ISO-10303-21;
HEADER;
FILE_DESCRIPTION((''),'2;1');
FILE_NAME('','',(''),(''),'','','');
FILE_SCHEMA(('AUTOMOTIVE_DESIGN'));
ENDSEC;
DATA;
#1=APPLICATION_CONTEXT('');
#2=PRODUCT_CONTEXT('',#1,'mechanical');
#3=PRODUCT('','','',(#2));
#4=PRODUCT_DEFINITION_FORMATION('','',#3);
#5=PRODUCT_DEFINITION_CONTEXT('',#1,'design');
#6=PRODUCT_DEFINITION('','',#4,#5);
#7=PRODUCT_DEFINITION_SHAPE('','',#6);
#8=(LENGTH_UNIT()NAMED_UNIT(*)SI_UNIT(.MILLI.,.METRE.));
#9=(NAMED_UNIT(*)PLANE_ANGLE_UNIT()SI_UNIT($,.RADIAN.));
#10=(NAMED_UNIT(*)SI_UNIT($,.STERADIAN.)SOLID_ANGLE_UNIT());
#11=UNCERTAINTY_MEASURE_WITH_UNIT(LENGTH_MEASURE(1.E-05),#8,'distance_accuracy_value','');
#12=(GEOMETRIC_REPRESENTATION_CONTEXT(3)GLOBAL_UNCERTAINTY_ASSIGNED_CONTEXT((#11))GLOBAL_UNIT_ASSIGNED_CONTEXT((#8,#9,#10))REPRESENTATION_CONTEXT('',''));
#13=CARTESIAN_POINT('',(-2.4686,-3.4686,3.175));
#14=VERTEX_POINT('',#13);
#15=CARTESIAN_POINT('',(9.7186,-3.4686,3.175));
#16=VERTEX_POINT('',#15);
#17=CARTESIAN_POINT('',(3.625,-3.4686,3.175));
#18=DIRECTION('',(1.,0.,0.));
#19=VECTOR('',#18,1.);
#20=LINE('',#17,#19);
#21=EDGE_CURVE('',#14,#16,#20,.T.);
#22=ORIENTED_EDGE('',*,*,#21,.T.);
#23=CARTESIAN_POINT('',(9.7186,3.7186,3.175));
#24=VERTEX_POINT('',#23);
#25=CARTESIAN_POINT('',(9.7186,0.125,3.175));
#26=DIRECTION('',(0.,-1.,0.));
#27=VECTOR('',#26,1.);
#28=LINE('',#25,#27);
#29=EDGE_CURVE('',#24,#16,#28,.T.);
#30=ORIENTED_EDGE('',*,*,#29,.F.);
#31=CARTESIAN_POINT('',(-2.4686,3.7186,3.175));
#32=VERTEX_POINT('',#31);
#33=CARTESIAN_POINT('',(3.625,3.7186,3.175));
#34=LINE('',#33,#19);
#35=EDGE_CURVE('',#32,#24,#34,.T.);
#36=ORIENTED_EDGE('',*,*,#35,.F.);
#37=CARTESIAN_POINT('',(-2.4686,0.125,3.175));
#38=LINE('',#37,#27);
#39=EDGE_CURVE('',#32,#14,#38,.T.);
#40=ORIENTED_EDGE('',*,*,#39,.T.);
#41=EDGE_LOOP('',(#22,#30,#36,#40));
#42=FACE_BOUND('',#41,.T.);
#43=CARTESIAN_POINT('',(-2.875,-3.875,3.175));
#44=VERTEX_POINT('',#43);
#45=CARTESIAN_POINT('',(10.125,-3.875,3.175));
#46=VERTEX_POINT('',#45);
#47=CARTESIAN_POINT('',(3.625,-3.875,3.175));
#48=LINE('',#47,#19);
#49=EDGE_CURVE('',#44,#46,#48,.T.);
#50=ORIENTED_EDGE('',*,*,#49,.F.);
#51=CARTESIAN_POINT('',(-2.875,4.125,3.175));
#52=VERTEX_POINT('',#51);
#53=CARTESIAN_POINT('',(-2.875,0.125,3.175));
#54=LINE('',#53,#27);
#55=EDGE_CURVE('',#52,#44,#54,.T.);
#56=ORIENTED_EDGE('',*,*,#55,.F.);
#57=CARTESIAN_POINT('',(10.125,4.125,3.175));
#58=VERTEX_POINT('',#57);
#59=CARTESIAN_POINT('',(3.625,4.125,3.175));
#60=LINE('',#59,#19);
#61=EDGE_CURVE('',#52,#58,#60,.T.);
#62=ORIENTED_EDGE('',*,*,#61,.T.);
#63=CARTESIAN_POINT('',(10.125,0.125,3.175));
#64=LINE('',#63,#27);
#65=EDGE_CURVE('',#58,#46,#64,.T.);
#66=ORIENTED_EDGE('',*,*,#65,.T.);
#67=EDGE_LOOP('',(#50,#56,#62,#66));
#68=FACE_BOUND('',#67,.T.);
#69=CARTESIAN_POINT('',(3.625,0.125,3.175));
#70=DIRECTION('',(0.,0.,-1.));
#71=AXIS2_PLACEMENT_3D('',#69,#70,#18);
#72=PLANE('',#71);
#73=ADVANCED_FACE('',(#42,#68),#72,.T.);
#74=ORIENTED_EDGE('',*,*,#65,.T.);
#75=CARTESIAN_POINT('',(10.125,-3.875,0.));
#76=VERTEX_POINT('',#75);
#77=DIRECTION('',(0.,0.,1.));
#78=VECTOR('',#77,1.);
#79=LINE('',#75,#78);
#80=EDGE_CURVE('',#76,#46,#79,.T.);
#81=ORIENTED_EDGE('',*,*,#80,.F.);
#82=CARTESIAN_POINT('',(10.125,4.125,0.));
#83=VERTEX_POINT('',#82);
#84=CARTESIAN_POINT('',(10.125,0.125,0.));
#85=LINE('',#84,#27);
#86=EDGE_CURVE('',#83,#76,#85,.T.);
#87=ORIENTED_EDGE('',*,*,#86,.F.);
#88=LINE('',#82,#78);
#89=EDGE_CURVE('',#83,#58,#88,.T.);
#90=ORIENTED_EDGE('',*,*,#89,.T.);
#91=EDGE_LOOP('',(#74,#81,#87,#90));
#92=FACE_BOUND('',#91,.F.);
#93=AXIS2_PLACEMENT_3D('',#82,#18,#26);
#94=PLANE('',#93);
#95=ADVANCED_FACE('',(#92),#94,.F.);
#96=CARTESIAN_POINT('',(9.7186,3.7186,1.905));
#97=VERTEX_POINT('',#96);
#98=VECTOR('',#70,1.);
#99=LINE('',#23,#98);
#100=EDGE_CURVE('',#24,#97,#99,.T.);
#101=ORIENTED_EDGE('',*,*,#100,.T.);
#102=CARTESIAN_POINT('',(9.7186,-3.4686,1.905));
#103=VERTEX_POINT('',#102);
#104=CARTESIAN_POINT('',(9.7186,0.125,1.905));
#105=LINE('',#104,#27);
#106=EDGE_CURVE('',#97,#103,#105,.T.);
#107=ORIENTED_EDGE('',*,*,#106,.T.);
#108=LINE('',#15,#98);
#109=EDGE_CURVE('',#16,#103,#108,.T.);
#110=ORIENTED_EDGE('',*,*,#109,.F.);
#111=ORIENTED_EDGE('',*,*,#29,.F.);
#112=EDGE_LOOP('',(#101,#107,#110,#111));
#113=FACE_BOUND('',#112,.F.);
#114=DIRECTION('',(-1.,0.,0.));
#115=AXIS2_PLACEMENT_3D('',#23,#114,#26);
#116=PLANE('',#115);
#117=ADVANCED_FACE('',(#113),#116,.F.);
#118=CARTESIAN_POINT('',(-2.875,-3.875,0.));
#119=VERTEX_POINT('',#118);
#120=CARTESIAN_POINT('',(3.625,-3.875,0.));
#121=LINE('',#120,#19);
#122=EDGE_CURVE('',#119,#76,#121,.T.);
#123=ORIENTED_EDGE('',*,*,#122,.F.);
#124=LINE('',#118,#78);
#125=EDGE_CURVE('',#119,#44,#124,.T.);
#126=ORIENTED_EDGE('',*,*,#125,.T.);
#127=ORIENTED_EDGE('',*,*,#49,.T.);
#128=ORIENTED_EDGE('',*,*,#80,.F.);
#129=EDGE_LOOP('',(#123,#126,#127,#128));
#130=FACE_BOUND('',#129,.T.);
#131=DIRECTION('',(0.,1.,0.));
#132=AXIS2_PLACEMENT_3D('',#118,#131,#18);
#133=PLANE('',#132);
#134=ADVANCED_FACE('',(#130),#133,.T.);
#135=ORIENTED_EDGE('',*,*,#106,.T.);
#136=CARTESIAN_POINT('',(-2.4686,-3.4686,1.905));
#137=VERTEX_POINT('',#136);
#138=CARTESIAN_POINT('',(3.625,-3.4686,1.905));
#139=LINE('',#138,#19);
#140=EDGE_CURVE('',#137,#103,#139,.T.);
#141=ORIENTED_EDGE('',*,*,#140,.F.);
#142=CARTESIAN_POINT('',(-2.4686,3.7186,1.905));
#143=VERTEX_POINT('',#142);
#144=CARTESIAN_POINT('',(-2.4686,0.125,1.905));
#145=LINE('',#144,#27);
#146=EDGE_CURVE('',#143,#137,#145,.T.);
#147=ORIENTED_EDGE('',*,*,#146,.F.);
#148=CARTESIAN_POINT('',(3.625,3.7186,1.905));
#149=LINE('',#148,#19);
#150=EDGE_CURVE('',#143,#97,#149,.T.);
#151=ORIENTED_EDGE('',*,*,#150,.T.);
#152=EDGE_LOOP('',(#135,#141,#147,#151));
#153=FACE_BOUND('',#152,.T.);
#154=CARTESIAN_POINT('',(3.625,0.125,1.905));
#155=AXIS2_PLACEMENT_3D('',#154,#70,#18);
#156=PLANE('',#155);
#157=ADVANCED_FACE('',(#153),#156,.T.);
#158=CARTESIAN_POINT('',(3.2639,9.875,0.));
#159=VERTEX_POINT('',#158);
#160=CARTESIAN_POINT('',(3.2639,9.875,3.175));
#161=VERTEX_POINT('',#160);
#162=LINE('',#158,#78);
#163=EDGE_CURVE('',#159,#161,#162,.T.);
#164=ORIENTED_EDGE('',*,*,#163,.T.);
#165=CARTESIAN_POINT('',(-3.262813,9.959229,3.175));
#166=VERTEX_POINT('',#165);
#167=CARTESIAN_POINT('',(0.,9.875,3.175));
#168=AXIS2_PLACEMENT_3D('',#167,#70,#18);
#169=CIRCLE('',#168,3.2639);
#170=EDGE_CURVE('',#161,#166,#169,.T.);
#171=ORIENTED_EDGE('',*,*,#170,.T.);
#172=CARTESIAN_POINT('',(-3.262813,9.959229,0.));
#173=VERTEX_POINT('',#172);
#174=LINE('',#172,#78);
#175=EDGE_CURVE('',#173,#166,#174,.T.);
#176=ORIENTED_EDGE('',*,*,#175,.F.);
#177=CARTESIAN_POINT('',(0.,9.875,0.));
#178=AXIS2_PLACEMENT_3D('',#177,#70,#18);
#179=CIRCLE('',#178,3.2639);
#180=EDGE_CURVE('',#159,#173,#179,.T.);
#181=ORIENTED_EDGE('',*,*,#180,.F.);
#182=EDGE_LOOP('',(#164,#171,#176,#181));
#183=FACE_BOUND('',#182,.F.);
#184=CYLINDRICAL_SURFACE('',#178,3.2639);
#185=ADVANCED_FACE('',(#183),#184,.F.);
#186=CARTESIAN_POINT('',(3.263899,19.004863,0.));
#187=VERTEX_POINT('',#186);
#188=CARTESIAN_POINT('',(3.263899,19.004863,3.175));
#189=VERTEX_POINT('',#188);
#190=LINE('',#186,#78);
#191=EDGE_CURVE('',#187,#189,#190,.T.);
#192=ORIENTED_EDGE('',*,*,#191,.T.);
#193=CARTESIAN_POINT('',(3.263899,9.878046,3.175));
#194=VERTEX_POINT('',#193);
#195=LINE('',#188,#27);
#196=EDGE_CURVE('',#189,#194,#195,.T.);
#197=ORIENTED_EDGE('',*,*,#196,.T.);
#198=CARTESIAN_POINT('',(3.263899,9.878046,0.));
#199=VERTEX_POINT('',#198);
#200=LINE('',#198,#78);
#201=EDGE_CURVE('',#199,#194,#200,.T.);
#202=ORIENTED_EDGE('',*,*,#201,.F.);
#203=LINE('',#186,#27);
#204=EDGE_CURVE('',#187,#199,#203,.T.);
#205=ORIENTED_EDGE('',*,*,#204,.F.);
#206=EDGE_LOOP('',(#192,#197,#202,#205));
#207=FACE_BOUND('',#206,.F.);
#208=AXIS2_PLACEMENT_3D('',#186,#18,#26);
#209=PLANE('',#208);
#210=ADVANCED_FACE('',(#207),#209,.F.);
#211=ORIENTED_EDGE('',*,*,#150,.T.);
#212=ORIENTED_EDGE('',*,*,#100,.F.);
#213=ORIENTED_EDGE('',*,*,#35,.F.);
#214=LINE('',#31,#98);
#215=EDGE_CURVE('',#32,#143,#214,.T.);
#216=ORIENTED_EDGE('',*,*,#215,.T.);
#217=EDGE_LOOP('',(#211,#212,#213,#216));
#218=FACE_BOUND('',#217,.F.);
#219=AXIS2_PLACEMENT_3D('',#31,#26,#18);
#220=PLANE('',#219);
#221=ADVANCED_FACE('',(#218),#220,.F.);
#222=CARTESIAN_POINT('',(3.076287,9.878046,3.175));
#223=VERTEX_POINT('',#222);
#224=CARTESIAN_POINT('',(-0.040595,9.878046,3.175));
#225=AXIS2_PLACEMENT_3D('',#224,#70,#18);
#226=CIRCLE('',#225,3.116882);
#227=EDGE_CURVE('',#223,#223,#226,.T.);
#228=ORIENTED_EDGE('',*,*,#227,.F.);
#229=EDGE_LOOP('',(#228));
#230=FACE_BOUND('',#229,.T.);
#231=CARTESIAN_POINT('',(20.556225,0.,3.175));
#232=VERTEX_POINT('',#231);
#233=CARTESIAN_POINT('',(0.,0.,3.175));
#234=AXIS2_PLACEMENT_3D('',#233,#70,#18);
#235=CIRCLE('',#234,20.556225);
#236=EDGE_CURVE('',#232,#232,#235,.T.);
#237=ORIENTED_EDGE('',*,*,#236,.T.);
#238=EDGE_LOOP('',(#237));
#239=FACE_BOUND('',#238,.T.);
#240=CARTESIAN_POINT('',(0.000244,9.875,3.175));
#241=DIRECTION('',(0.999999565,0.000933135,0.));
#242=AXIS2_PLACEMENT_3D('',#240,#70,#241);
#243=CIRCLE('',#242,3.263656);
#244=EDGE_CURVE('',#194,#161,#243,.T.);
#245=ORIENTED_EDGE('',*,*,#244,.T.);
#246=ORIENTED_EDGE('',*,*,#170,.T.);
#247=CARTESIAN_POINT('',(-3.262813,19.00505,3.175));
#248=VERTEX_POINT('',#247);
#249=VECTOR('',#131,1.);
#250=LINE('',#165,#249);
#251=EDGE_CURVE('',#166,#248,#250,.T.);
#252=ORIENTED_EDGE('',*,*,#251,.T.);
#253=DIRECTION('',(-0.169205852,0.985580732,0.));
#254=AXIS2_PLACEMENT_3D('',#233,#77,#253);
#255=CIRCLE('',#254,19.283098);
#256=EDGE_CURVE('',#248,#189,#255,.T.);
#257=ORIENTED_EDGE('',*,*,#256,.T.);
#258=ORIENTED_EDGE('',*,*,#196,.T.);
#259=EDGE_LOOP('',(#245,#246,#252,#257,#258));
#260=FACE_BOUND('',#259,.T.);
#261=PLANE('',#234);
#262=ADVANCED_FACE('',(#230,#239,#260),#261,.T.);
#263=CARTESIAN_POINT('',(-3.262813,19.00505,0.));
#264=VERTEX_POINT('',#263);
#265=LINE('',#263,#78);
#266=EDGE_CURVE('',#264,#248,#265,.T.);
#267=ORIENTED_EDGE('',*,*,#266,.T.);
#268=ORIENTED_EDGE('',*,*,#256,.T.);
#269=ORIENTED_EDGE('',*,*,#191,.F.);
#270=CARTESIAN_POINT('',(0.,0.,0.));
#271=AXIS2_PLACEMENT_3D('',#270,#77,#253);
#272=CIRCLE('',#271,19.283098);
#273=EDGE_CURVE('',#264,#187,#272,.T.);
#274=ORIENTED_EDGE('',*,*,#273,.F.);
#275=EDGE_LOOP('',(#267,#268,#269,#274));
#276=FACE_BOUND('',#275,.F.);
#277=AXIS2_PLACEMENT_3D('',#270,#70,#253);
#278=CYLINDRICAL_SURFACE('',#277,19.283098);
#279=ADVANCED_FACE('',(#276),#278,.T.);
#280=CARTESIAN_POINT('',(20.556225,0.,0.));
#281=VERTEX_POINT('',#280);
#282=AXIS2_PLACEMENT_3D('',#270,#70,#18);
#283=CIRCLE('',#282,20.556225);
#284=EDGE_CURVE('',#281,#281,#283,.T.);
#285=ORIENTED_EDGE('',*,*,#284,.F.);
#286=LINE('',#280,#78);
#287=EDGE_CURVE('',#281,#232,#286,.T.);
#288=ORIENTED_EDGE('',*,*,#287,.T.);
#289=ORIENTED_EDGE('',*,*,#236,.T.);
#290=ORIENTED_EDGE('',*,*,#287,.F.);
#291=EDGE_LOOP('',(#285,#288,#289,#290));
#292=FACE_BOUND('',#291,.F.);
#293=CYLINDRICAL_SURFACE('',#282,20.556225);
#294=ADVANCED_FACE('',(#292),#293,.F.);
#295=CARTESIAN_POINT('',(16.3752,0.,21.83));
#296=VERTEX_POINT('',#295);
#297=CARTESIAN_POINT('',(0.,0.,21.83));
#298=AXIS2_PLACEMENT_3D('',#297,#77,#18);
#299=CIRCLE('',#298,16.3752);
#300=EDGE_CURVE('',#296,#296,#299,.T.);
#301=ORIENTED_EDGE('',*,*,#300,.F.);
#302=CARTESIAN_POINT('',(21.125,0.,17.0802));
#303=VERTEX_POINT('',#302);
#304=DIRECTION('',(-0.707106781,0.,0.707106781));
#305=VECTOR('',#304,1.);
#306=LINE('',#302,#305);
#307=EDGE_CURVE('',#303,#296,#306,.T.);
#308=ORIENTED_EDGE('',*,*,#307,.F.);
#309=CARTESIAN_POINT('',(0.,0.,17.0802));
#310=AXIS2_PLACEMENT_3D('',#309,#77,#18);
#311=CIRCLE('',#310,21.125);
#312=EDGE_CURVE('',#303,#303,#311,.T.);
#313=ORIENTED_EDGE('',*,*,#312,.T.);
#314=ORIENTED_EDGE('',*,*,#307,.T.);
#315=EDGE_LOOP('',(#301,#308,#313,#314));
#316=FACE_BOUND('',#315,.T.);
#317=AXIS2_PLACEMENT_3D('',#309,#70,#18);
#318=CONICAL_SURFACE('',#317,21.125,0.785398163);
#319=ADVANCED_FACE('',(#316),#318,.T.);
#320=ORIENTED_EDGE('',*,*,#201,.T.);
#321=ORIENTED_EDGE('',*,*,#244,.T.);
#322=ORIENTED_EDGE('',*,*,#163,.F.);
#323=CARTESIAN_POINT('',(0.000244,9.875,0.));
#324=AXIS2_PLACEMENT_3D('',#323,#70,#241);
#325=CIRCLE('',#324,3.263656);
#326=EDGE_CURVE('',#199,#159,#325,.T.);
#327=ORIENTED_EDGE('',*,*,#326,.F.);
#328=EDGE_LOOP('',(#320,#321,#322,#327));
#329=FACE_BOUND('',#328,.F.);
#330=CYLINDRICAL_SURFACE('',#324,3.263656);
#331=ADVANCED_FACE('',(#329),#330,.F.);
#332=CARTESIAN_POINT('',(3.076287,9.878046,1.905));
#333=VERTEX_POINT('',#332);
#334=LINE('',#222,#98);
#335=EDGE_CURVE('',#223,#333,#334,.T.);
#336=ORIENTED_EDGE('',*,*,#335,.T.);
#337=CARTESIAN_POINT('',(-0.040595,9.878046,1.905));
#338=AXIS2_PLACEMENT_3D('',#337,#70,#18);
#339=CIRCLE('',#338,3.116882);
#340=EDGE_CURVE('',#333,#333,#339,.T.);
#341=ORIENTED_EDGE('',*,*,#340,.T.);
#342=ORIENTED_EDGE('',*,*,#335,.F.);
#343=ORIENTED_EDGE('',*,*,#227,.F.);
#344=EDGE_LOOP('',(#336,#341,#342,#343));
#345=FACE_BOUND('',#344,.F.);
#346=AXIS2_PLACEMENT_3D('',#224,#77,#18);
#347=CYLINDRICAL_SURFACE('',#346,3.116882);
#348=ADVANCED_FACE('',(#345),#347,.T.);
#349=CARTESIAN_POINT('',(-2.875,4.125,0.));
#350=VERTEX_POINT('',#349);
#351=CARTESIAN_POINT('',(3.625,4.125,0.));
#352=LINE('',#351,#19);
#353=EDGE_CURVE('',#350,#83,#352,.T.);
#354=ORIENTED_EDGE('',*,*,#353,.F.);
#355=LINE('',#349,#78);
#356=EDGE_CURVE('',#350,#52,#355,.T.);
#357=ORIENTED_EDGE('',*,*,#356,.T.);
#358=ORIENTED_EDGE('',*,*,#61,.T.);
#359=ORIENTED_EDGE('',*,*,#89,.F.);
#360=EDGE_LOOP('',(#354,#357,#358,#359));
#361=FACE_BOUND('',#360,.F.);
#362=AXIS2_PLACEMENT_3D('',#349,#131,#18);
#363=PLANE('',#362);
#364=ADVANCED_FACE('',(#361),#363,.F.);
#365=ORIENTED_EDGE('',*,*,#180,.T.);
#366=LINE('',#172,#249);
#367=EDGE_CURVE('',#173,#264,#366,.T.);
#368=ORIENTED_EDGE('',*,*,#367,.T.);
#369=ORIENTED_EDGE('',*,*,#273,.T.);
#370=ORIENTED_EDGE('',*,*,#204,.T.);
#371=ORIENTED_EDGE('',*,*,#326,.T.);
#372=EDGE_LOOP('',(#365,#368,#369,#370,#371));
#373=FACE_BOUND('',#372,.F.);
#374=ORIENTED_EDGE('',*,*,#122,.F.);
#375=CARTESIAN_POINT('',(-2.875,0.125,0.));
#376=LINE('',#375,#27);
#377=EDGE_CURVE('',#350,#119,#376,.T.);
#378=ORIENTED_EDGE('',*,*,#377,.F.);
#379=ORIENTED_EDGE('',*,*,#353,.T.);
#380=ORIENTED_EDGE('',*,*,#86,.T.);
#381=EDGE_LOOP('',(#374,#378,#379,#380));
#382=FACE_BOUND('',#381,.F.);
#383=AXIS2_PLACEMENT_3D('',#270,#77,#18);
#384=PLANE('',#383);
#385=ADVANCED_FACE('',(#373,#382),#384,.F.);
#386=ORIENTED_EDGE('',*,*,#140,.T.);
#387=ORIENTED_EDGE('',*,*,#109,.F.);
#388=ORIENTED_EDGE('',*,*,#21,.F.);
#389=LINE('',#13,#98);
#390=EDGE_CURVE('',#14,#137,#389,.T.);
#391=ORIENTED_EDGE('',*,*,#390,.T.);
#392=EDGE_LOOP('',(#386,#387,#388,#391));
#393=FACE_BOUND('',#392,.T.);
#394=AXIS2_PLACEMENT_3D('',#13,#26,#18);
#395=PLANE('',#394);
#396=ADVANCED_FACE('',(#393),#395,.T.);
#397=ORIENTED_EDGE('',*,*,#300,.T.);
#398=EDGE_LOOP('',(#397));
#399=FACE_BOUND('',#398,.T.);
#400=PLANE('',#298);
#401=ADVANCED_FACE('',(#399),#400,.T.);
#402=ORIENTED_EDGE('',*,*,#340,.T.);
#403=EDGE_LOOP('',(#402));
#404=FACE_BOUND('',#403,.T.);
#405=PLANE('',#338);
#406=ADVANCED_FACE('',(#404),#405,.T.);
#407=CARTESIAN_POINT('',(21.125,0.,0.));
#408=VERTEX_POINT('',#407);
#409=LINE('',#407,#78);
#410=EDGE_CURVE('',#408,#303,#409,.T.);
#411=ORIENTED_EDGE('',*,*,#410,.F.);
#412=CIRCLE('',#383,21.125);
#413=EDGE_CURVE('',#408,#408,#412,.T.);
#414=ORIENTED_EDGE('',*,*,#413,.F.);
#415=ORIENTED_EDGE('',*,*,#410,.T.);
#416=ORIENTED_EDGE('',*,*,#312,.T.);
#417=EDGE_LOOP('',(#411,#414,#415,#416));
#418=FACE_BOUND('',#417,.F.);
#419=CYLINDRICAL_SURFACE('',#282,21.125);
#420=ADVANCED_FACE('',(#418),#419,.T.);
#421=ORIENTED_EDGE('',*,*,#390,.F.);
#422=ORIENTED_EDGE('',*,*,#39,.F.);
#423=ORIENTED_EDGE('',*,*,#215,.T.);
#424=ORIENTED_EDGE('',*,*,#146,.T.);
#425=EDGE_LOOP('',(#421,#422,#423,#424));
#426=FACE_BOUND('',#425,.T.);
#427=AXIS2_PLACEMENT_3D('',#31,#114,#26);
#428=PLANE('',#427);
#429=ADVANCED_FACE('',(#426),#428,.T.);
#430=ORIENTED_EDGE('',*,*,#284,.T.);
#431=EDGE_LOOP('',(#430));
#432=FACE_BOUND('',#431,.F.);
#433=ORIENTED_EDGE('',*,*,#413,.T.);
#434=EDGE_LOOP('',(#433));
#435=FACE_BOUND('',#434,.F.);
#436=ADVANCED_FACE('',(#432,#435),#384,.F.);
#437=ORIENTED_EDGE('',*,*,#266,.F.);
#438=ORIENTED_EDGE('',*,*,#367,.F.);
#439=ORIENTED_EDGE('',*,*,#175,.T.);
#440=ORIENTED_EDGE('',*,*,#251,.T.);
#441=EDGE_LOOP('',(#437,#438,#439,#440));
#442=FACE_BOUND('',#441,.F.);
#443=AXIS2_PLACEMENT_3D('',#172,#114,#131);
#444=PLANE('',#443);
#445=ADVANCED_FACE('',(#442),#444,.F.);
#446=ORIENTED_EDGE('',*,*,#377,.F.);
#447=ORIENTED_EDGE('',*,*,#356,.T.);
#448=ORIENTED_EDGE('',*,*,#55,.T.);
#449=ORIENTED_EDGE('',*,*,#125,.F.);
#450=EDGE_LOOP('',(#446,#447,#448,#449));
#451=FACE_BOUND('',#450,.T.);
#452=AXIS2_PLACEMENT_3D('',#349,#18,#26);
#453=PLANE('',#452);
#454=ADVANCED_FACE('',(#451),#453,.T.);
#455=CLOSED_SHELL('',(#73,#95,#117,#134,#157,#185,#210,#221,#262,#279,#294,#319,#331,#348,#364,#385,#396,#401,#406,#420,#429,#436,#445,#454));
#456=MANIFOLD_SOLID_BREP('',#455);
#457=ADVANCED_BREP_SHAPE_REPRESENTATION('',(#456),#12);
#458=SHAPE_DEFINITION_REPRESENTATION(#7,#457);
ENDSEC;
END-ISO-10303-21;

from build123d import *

# Parameters (mm, degrees)
F0_R     = 21.125
F1_DEPTH = 21.83
F2_SIZE  = 4.7498
F3_R     = 20.5562247393
F3_W     = 13
F3_H     = 8
F4_DEPTH = 3.175
F5_W     = 12.1872002035
F5_H     = 7.1872002035
F5_R     = 3.1168821316
F6_DEPTH = 1.27


with BuildPart() as f1:
    # F0 (on Top) → F1 (new body)
    with BuildSketch(Plane.XY):
        Circle(F0_R)
    extrude(amount=F1_DEPTH)

    # F2
    f2_edges = [f1.edges().sort_by_distance(p)[0] for p in [
        (-21.125, 0, 21.83),
    ]]
    chamfer(f2_edges, length=F2_SIZE)

    # F3 (on face) → F4 (cut)
    with BuildSketch(Plane(origin=(0, 0, 0), x_dir=(1, 0, 0), z_dir=(0, 0, -1))):
        Circle(F3_R)
        with BuildLine():
            ThreePointArc((3.2638985791, -9.8780455391), (0.0405954465, -13.138647533), (-3.2628129974, -9.9592291742))
            Line((-3.2628129974, -9.9592291742), (-3.2628129974, -19.0050496832))
            ThreePointArc((-3.2628129974, -19.0050496832), (-0.0005507347, 19.2830978272), (3.2638985791, -19.0048632772))
            Line((3.2638985791, -19.0048632772), (3.2638985791, -9.8780455391))
        make_face(mode=Mode.SUBTRACT)
        with Locations((3.625, -0.125)):
            Rectangle(F3_W, F3_H)
        with BuildLine():
            ThreePointArc((3.2638985791, -9.8780455391), (3.2638996448, -9.8765227697), (3.2639, -9.875))
            ThreePointArc((3.2639, -9.875), (-0.042118094, -6.611371762), (-3.2628129974, -9.9592291742))
            ThreePointArc((-3.2628129974, -9.9592291742), (0.0405954465, -13.138647533), (3.2638985791, -9.8780455391))
        make_face()
    extrude(amount=-F4_DEPTH, mode=Mode.SUBTRACT)

    # F5 (on face) → F6 (join)
    with BuildSketch(Plane(origin=(0, 0, 3.175), x_dir=(1, 0, 0), z_dir=(0, 0, -1))):
        with Locations((3.625, -0.125)):
            Rectangle(F5_W, F5_H)
        with Locations((-0.0405954465, -9.8780455391)):
            Circle(F5_R)
    extrude(amount=F6_DEPTH)


solid = f1.part
